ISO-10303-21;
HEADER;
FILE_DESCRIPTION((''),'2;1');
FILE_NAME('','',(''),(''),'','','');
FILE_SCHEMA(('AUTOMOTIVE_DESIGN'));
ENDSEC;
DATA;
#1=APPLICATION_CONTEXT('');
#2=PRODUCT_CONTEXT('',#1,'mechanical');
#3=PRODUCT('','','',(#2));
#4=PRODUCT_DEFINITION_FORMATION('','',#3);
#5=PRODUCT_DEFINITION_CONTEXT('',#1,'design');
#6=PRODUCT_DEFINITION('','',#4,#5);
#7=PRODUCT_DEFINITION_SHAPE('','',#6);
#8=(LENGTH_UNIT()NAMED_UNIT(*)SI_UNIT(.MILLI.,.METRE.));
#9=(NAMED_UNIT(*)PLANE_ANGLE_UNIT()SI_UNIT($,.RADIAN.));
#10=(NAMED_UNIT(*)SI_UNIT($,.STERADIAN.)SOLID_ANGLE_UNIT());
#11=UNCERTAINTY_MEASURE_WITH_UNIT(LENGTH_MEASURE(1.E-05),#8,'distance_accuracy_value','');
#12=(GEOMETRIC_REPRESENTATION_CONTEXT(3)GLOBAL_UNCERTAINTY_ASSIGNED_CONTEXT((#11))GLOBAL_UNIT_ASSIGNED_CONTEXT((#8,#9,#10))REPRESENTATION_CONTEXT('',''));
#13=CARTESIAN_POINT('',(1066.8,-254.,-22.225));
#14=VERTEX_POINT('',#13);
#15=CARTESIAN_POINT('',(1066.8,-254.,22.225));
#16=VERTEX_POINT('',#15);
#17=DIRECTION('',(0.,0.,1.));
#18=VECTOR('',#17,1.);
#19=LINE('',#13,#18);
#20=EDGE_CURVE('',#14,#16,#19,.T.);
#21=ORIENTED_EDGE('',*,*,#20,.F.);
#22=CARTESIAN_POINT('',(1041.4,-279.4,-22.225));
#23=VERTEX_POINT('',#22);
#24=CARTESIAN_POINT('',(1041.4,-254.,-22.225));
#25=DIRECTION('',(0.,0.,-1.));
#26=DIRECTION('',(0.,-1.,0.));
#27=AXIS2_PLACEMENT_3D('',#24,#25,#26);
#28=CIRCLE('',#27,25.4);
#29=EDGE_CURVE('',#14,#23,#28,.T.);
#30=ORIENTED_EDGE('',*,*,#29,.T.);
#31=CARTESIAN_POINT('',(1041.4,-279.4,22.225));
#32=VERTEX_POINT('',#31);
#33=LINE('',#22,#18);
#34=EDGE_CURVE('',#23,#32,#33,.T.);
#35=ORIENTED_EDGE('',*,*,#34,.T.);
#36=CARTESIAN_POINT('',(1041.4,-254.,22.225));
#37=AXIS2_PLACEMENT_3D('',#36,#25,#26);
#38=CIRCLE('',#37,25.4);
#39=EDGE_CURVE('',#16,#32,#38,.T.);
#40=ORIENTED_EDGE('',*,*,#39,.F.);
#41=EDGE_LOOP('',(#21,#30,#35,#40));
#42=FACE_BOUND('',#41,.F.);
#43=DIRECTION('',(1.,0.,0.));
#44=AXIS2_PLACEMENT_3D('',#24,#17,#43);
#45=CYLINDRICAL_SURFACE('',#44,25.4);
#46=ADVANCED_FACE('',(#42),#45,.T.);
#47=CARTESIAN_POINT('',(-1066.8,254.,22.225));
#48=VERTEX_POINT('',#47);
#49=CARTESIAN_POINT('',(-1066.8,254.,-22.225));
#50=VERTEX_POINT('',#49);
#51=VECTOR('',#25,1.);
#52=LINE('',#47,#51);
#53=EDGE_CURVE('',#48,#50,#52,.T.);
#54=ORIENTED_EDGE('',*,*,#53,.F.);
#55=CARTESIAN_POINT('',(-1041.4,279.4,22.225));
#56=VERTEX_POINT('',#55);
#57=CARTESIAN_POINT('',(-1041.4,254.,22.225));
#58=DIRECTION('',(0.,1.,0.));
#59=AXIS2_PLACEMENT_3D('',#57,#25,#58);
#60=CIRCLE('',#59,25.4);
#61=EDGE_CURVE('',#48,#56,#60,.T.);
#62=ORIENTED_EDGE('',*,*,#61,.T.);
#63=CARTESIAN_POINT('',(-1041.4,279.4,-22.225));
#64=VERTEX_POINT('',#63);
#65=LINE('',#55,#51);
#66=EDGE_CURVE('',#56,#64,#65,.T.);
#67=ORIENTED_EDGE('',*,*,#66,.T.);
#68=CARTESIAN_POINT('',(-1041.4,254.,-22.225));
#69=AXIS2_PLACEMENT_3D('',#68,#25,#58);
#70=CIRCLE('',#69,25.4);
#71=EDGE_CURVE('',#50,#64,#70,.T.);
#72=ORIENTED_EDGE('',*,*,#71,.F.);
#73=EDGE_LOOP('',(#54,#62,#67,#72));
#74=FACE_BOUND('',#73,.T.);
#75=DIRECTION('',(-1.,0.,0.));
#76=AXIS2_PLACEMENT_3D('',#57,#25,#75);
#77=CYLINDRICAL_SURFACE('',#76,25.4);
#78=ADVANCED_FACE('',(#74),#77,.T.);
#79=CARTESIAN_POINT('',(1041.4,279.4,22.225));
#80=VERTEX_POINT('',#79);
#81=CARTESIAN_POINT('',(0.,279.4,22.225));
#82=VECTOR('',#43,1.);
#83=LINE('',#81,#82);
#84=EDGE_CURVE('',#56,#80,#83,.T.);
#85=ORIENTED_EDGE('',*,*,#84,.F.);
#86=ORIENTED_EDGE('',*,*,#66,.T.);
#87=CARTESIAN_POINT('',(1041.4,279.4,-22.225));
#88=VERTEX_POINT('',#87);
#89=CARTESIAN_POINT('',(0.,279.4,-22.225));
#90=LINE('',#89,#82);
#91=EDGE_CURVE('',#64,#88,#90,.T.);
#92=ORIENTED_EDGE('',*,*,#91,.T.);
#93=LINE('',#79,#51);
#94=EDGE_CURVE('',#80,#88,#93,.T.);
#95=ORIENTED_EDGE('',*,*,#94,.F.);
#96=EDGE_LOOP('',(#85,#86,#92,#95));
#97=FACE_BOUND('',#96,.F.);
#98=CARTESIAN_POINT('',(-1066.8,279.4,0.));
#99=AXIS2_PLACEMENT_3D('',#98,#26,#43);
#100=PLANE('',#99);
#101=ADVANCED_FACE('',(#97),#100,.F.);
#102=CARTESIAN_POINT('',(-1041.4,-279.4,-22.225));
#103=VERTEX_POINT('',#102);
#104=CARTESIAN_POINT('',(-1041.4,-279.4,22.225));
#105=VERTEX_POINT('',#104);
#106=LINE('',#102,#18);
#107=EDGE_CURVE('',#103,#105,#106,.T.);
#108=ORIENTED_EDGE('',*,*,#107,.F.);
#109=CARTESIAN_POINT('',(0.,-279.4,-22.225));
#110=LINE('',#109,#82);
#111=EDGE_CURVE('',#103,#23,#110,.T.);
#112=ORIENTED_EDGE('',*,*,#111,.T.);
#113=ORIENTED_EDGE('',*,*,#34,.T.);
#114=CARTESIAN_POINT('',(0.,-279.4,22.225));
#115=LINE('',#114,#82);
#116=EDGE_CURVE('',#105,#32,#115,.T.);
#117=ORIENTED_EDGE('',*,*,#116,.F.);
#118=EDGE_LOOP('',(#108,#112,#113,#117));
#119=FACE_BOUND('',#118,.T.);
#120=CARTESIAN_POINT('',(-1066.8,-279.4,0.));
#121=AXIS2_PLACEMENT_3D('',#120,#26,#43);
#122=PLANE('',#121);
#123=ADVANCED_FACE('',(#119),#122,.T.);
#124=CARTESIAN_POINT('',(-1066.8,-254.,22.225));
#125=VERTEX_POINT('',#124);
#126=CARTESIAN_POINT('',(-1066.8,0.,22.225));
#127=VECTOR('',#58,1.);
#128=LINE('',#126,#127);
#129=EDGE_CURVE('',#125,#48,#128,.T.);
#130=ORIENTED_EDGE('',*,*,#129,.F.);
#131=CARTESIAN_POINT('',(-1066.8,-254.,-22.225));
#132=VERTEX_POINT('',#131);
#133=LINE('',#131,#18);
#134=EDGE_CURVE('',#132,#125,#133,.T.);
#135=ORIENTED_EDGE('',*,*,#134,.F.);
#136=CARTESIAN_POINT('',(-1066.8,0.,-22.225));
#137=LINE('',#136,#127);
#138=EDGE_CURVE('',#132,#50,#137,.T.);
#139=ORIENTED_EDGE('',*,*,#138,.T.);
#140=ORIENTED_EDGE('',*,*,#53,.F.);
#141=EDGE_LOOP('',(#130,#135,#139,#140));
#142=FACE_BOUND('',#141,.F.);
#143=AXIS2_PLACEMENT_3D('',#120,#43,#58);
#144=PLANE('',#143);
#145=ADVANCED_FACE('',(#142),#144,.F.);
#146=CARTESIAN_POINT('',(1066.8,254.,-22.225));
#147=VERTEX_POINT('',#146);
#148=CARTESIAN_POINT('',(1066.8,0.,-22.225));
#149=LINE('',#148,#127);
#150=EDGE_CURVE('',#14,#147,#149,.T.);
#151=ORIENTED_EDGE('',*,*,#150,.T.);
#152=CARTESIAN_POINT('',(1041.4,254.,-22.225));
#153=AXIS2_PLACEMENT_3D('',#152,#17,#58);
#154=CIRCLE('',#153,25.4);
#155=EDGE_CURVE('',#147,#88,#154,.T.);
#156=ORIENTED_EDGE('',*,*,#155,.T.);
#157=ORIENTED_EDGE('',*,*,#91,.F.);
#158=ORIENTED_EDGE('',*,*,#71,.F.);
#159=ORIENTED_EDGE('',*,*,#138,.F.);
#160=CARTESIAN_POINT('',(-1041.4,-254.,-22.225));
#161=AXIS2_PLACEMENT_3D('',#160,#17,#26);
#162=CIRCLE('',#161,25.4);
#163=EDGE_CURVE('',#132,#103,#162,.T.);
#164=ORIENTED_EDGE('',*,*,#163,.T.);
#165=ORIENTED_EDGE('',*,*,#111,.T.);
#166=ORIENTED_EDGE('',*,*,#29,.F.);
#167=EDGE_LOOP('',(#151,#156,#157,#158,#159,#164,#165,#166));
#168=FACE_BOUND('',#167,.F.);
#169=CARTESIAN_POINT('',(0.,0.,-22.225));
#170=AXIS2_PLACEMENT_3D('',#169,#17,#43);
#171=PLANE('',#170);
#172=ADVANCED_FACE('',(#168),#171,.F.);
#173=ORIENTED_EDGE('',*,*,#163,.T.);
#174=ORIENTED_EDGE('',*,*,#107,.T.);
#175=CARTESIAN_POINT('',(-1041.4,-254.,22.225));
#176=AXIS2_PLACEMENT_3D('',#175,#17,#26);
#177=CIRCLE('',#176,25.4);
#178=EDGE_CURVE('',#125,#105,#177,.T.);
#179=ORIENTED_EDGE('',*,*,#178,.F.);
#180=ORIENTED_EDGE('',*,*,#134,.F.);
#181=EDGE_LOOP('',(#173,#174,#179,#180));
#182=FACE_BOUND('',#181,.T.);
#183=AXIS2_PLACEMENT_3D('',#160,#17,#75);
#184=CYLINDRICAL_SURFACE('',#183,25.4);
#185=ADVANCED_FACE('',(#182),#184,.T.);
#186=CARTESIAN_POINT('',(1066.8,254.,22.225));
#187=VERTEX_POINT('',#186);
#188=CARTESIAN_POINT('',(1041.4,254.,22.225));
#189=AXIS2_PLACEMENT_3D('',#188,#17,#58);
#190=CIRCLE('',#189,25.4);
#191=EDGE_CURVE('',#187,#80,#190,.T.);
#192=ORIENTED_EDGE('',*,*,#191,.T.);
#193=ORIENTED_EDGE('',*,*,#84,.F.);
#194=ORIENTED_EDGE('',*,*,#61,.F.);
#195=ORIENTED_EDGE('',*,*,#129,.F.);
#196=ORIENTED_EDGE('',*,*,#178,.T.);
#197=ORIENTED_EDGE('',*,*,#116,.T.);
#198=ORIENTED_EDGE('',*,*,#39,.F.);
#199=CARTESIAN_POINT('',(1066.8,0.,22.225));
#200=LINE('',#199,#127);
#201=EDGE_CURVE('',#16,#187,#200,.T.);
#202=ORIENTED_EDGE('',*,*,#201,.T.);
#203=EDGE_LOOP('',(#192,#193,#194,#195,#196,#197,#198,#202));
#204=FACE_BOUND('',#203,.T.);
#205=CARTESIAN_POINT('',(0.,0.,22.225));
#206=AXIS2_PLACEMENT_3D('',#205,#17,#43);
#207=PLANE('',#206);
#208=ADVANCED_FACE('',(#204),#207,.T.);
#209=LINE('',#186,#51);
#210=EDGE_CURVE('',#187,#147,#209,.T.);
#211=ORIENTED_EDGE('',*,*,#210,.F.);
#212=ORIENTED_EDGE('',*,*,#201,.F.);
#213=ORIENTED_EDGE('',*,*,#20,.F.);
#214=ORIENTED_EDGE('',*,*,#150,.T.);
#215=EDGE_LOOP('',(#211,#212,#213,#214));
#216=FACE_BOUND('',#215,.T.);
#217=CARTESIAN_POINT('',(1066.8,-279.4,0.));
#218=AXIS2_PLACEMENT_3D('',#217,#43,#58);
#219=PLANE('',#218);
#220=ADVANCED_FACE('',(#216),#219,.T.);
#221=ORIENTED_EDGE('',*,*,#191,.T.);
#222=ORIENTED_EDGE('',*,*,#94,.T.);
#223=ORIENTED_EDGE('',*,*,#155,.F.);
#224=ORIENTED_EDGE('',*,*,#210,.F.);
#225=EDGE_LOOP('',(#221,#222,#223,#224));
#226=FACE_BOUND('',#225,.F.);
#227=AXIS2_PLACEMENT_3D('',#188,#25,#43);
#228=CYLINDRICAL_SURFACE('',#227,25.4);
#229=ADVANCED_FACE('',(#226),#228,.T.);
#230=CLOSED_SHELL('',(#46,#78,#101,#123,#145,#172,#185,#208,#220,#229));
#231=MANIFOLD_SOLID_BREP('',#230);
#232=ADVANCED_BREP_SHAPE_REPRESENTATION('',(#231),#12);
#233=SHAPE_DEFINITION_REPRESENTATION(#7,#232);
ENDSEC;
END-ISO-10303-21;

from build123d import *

# Parameters (mm, degrees)
F0_W     = 2133.6
F0_H     = 558.8
F1_DEPTH = 22.225
F2_R     = 25.4


with BuildPart() as f1:
    # F0 (on Top) → F1 (new body, symmetric)
    with BuildSketch(Plane.XY):
        Rectangle(F0_W, F0_H)
    extrude(amount=F1_DEPTH, both=True)

    # F2
    f2_edges = [f1.edges().sort_by_distance(p)[0] for p in [
        (1066.8, -279.4, 0),
        (1066.8, 279.4, 0),
        (-1066.8, -279.4, 0),
        (-1066.8, 279.4, 0),
    ]]
    fillet(f2_edges, radius=F2_R)


solid = f1.part
